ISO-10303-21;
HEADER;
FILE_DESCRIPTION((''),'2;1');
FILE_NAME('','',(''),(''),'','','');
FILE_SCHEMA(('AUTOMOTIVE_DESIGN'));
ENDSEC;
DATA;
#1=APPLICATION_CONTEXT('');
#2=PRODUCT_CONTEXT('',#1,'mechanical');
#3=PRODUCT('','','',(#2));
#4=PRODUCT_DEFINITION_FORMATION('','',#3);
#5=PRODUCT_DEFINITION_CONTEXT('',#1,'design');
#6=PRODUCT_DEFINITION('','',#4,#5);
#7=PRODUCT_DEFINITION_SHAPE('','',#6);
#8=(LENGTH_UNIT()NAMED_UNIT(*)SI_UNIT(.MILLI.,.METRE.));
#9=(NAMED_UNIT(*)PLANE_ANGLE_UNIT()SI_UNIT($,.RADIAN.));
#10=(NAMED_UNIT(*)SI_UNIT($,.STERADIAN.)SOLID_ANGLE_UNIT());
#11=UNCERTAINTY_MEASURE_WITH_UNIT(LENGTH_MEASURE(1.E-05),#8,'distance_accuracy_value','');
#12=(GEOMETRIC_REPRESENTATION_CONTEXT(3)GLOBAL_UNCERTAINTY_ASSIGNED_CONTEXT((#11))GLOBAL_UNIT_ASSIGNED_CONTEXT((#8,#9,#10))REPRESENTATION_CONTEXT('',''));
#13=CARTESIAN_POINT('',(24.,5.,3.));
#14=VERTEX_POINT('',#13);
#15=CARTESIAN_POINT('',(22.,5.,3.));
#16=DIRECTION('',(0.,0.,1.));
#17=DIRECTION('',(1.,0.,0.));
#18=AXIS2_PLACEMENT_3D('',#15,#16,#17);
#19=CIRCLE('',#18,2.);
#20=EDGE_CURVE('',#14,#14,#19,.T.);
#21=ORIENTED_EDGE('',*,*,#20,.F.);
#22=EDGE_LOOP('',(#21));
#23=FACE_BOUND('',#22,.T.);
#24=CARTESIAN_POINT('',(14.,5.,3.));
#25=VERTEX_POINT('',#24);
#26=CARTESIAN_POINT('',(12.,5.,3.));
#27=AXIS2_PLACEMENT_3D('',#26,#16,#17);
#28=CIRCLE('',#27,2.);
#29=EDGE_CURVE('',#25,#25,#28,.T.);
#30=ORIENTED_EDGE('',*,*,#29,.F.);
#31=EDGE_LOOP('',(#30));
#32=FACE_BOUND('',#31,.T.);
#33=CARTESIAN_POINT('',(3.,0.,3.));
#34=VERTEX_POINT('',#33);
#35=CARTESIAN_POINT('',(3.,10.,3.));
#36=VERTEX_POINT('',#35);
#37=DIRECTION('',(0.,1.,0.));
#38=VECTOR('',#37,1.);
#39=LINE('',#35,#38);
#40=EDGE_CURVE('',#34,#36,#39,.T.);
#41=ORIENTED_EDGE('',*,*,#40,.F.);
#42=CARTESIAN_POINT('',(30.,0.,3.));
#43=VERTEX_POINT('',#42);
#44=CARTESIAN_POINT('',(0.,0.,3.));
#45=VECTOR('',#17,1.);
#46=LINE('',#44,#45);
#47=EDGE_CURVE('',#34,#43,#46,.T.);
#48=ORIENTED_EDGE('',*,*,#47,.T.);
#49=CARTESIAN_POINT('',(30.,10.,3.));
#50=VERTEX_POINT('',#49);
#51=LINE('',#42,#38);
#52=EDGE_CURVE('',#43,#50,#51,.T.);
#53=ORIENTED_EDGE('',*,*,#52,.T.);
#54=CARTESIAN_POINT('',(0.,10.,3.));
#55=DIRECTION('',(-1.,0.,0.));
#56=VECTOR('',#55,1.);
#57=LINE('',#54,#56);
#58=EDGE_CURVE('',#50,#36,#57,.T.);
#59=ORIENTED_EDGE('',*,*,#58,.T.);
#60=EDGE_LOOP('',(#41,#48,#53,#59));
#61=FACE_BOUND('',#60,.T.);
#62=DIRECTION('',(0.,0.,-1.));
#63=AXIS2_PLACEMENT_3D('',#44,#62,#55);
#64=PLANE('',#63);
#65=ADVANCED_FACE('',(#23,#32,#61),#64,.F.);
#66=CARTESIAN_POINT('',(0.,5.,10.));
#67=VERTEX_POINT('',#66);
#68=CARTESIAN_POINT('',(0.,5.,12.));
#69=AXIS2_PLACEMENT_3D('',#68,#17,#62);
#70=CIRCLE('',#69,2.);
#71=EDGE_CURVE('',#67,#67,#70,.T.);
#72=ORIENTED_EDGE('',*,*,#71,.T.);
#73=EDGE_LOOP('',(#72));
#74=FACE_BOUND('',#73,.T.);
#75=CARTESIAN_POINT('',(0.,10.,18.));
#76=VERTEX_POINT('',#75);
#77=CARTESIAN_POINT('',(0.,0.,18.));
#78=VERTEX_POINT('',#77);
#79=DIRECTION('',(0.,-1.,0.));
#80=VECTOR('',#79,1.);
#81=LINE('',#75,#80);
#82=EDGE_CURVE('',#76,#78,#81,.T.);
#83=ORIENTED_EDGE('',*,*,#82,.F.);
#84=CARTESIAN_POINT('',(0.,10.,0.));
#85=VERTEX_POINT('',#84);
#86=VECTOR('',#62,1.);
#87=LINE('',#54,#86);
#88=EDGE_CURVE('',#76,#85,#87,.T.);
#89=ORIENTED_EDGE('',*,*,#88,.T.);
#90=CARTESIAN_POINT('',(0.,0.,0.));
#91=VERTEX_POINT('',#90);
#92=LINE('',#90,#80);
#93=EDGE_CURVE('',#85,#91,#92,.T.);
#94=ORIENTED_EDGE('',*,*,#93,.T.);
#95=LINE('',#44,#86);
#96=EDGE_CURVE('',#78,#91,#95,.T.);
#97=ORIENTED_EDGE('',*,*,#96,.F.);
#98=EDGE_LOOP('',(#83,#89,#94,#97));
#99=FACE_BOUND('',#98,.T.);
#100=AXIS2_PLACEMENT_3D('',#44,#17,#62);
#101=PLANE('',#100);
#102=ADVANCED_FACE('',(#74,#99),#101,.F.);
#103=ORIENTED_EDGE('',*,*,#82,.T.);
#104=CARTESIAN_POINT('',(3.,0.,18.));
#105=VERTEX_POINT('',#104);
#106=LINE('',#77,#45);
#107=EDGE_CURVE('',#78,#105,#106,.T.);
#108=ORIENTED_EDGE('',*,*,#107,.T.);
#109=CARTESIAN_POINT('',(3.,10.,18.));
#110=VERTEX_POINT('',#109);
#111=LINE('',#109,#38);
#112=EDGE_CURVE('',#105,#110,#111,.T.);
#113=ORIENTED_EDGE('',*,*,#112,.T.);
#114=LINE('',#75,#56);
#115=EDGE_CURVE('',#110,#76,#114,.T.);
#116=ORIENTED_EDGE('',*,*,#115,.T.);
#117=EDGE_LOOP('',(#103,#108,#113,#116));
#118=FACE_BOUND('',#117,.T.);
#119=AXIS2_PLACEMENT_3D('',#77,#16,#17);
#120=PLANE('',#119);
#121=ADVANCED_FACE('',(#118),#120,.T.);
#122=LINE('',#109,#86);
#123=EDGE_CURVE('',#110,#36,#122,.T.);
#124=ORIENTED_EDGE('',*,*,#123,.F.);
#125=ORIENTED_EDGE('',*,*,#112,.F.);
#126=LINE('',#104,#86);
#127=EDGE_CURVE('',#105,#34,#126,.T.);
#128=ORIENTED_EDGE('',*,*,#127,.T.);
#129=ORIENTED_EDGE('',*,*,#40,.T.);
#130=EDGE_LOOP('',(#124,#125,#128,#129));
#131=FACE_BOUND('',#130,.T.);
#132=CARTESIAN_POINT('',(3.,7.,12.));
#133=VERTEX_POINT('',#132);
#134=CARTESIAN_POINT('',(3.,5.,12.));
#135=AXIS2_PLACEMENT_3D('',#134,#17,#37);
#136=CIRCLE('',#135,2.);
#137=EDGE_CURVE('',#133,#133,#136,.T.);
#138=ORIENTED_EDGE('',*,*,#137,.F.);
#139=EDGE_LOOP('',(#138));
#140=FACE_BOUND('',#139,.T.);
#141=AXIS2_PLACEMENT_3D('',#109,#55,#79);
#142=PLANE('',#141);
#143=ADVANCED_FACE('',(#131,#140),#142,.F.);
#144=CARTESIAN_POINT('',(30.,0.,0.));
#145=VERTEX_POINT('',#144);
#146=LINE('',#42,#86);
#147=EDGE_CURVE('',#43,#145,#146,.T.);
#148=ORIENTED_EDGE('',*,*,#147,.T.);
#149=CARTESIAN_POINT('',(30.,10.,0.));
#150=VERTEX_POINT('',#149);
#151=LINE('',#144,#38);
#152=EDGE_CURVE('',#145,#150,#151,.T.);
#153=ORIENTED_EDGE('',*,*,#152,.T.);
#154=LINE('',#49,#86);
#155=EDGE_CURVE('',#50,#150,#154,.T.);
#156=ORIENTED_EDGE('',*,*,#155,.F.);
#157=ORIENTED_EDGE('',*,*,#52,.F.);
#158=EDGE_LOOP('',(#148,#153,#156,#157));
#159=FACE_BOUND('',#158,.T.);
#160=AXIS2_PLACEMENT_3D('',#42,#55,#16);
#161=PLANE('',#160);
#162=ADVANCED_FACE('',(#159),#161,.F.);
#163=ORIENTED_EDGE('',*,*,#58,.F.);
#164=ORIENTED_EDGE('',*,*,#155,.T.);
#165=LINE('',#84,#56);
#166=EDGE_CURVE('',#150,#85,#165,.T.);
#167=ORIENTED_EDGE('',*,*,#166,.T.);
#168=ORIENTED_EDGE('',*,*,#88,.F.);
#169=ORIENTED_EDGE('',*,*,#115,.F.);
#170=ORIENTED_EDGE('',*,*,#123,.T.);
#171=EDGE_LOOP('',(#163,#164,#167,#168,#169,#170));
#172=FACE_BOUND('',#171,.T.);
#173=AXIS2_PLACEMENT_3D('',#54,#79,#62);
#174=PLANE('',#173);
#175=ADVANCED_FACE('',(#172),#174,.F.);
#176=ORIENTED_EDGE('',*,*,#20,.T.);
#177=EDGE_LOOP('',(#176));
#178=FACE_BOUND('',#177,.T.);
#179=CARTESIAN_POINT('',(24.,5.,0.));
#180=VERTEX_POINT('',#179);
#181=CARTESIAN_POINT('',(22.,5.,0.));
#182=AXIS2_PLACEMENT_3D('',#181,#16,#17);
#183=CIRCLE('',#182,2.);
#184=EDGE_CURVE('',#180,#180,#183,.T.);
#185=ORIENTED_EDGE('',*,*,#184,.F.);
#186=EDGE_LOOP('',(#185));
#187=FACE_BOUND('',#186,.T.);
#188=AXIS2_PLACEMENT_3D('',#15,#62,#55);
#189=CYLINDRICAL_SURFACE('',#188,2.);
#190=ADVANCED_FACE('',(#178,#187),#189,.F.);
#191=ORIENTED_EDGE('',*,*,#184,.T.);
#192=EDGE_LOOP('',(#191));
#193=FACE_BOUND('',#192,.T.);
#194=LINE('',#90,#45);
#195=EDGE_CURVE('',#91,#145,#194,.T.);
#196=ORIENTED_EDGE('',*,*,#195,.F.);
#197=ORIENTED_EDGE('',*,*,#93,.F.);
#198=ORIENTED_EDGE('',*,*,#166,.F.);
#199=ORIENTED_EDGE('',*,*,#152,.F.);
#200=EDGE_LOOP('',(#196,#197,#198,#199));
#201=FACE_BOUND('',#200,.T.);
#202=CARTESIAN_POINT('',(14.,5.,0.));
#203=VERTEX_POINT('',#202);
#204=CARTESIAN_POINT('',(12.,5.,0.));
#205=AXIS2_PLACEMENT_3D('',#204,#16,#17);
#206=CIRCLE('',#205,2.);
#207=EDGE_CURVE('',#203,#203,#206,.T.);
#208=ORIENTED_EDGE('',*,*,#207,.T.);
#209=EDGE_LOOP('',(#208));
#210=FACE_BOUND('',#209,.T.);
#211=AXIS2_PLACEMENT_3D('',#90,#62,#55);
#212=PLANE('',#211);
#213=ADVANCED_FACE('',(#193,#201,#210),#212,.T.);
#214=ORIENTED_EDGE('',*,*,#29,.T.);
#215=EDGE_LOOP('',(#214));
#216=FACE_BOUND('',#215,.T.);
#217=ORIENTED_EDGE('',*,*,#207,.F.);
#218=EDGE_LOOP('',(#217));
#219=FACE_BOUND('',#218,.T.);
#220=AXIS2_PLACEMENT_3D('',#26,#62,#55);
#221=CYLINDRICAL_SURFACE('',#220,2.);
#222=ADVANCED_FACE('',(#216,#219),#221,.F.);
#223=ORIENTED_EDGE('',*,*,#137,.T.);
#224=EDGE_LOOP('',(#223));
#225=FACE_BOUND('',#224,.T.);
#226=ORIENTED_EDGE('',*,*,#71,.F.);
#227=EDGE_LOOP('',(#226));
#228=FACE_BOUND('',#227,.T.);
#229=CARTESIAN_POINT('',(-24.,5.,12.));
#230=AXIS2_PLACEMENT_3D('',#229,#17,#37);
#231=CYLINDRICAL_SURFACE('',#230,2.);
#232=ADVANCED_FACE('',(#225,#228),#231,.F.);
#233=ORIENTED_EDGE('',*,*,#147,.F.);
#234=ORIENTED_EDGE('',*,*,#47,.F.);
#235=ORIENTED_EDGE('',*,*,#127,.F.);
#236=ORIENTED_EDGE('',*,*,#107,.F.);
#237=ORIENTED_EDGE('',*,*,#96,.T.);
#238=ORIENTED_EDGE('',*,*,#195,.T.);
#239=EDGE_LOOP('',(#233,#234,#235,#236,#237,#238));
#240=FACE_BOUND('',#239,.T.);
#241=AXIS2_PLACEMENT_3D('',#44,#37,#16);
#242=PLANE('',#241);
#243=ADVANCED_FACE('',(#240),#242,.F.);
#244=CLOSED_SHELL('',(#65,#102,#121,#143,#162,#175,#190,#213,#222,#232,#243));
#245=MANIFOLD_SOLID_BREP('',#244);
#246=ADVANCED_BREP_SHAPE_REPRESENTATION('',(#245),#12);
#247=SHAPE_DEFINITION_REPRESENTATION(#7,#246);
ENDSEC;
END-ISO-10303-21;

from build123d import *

# Parameters (mm, degrees)
SKETCH2_W           = 30
SKETCH2_H           = 10
SKETCH2_R           = 2
BOSS_EXTRUDE1_DEPTH = 3
SKETCH3_W           = 3
SKETCH3_H           = 10
BOSS_EXTRUDE2_DEPTH = 15
SKETCH4_R           = 2
CUT_EXTRUDE1_DEPTH  = 27


with BuildPart() as part:
    # Sketch2 → Boss-Extrude1 (new body)
    with BuildSketch(Plane.XY):
        with Locations((15, 5)):
            Rectangle(SKETCH2_W, SKETCH2_H)
        with Locations((12, 5)):
            Circle(SKETCH2_R, mode=Mode.SUBTRACT)
        with Locations((22, 5)):
            Circle(SKETCH2_R, mode=Mode.SUBTRACT)
    extrude(amount=BOSS_EXTRUDE1_DEPTH)

    # Sketch3 → Boss-Extrude2 (add)
    with BuildSketch(Plane.XY.offset(3)):
        with Locations((1.5, 5)):
            Rectangle(SKETCH3_W, SKETCH3_H)
    extrude(amount=BOSS_EXTRUDE2_DEPTH)

    # Sketch4 → Cut-Extrude1 (cut)
    with BuildSketch(Plane(origin=(3, 0, 0), x_dir=(0, 0, -1), z_dir=(1, 0, 0))):
        with Locations((-22, 5)):
            Circle(SKETCH4_R)
        with Locations(Location((-12, 5, 0), (0, 0, 90))):
            Circle(SKETCH4_R)
    extrude(amount=-CUT_EXTRUDE1_DEPTH, mode=Mode.SUBTRACT)


solid = part.part
